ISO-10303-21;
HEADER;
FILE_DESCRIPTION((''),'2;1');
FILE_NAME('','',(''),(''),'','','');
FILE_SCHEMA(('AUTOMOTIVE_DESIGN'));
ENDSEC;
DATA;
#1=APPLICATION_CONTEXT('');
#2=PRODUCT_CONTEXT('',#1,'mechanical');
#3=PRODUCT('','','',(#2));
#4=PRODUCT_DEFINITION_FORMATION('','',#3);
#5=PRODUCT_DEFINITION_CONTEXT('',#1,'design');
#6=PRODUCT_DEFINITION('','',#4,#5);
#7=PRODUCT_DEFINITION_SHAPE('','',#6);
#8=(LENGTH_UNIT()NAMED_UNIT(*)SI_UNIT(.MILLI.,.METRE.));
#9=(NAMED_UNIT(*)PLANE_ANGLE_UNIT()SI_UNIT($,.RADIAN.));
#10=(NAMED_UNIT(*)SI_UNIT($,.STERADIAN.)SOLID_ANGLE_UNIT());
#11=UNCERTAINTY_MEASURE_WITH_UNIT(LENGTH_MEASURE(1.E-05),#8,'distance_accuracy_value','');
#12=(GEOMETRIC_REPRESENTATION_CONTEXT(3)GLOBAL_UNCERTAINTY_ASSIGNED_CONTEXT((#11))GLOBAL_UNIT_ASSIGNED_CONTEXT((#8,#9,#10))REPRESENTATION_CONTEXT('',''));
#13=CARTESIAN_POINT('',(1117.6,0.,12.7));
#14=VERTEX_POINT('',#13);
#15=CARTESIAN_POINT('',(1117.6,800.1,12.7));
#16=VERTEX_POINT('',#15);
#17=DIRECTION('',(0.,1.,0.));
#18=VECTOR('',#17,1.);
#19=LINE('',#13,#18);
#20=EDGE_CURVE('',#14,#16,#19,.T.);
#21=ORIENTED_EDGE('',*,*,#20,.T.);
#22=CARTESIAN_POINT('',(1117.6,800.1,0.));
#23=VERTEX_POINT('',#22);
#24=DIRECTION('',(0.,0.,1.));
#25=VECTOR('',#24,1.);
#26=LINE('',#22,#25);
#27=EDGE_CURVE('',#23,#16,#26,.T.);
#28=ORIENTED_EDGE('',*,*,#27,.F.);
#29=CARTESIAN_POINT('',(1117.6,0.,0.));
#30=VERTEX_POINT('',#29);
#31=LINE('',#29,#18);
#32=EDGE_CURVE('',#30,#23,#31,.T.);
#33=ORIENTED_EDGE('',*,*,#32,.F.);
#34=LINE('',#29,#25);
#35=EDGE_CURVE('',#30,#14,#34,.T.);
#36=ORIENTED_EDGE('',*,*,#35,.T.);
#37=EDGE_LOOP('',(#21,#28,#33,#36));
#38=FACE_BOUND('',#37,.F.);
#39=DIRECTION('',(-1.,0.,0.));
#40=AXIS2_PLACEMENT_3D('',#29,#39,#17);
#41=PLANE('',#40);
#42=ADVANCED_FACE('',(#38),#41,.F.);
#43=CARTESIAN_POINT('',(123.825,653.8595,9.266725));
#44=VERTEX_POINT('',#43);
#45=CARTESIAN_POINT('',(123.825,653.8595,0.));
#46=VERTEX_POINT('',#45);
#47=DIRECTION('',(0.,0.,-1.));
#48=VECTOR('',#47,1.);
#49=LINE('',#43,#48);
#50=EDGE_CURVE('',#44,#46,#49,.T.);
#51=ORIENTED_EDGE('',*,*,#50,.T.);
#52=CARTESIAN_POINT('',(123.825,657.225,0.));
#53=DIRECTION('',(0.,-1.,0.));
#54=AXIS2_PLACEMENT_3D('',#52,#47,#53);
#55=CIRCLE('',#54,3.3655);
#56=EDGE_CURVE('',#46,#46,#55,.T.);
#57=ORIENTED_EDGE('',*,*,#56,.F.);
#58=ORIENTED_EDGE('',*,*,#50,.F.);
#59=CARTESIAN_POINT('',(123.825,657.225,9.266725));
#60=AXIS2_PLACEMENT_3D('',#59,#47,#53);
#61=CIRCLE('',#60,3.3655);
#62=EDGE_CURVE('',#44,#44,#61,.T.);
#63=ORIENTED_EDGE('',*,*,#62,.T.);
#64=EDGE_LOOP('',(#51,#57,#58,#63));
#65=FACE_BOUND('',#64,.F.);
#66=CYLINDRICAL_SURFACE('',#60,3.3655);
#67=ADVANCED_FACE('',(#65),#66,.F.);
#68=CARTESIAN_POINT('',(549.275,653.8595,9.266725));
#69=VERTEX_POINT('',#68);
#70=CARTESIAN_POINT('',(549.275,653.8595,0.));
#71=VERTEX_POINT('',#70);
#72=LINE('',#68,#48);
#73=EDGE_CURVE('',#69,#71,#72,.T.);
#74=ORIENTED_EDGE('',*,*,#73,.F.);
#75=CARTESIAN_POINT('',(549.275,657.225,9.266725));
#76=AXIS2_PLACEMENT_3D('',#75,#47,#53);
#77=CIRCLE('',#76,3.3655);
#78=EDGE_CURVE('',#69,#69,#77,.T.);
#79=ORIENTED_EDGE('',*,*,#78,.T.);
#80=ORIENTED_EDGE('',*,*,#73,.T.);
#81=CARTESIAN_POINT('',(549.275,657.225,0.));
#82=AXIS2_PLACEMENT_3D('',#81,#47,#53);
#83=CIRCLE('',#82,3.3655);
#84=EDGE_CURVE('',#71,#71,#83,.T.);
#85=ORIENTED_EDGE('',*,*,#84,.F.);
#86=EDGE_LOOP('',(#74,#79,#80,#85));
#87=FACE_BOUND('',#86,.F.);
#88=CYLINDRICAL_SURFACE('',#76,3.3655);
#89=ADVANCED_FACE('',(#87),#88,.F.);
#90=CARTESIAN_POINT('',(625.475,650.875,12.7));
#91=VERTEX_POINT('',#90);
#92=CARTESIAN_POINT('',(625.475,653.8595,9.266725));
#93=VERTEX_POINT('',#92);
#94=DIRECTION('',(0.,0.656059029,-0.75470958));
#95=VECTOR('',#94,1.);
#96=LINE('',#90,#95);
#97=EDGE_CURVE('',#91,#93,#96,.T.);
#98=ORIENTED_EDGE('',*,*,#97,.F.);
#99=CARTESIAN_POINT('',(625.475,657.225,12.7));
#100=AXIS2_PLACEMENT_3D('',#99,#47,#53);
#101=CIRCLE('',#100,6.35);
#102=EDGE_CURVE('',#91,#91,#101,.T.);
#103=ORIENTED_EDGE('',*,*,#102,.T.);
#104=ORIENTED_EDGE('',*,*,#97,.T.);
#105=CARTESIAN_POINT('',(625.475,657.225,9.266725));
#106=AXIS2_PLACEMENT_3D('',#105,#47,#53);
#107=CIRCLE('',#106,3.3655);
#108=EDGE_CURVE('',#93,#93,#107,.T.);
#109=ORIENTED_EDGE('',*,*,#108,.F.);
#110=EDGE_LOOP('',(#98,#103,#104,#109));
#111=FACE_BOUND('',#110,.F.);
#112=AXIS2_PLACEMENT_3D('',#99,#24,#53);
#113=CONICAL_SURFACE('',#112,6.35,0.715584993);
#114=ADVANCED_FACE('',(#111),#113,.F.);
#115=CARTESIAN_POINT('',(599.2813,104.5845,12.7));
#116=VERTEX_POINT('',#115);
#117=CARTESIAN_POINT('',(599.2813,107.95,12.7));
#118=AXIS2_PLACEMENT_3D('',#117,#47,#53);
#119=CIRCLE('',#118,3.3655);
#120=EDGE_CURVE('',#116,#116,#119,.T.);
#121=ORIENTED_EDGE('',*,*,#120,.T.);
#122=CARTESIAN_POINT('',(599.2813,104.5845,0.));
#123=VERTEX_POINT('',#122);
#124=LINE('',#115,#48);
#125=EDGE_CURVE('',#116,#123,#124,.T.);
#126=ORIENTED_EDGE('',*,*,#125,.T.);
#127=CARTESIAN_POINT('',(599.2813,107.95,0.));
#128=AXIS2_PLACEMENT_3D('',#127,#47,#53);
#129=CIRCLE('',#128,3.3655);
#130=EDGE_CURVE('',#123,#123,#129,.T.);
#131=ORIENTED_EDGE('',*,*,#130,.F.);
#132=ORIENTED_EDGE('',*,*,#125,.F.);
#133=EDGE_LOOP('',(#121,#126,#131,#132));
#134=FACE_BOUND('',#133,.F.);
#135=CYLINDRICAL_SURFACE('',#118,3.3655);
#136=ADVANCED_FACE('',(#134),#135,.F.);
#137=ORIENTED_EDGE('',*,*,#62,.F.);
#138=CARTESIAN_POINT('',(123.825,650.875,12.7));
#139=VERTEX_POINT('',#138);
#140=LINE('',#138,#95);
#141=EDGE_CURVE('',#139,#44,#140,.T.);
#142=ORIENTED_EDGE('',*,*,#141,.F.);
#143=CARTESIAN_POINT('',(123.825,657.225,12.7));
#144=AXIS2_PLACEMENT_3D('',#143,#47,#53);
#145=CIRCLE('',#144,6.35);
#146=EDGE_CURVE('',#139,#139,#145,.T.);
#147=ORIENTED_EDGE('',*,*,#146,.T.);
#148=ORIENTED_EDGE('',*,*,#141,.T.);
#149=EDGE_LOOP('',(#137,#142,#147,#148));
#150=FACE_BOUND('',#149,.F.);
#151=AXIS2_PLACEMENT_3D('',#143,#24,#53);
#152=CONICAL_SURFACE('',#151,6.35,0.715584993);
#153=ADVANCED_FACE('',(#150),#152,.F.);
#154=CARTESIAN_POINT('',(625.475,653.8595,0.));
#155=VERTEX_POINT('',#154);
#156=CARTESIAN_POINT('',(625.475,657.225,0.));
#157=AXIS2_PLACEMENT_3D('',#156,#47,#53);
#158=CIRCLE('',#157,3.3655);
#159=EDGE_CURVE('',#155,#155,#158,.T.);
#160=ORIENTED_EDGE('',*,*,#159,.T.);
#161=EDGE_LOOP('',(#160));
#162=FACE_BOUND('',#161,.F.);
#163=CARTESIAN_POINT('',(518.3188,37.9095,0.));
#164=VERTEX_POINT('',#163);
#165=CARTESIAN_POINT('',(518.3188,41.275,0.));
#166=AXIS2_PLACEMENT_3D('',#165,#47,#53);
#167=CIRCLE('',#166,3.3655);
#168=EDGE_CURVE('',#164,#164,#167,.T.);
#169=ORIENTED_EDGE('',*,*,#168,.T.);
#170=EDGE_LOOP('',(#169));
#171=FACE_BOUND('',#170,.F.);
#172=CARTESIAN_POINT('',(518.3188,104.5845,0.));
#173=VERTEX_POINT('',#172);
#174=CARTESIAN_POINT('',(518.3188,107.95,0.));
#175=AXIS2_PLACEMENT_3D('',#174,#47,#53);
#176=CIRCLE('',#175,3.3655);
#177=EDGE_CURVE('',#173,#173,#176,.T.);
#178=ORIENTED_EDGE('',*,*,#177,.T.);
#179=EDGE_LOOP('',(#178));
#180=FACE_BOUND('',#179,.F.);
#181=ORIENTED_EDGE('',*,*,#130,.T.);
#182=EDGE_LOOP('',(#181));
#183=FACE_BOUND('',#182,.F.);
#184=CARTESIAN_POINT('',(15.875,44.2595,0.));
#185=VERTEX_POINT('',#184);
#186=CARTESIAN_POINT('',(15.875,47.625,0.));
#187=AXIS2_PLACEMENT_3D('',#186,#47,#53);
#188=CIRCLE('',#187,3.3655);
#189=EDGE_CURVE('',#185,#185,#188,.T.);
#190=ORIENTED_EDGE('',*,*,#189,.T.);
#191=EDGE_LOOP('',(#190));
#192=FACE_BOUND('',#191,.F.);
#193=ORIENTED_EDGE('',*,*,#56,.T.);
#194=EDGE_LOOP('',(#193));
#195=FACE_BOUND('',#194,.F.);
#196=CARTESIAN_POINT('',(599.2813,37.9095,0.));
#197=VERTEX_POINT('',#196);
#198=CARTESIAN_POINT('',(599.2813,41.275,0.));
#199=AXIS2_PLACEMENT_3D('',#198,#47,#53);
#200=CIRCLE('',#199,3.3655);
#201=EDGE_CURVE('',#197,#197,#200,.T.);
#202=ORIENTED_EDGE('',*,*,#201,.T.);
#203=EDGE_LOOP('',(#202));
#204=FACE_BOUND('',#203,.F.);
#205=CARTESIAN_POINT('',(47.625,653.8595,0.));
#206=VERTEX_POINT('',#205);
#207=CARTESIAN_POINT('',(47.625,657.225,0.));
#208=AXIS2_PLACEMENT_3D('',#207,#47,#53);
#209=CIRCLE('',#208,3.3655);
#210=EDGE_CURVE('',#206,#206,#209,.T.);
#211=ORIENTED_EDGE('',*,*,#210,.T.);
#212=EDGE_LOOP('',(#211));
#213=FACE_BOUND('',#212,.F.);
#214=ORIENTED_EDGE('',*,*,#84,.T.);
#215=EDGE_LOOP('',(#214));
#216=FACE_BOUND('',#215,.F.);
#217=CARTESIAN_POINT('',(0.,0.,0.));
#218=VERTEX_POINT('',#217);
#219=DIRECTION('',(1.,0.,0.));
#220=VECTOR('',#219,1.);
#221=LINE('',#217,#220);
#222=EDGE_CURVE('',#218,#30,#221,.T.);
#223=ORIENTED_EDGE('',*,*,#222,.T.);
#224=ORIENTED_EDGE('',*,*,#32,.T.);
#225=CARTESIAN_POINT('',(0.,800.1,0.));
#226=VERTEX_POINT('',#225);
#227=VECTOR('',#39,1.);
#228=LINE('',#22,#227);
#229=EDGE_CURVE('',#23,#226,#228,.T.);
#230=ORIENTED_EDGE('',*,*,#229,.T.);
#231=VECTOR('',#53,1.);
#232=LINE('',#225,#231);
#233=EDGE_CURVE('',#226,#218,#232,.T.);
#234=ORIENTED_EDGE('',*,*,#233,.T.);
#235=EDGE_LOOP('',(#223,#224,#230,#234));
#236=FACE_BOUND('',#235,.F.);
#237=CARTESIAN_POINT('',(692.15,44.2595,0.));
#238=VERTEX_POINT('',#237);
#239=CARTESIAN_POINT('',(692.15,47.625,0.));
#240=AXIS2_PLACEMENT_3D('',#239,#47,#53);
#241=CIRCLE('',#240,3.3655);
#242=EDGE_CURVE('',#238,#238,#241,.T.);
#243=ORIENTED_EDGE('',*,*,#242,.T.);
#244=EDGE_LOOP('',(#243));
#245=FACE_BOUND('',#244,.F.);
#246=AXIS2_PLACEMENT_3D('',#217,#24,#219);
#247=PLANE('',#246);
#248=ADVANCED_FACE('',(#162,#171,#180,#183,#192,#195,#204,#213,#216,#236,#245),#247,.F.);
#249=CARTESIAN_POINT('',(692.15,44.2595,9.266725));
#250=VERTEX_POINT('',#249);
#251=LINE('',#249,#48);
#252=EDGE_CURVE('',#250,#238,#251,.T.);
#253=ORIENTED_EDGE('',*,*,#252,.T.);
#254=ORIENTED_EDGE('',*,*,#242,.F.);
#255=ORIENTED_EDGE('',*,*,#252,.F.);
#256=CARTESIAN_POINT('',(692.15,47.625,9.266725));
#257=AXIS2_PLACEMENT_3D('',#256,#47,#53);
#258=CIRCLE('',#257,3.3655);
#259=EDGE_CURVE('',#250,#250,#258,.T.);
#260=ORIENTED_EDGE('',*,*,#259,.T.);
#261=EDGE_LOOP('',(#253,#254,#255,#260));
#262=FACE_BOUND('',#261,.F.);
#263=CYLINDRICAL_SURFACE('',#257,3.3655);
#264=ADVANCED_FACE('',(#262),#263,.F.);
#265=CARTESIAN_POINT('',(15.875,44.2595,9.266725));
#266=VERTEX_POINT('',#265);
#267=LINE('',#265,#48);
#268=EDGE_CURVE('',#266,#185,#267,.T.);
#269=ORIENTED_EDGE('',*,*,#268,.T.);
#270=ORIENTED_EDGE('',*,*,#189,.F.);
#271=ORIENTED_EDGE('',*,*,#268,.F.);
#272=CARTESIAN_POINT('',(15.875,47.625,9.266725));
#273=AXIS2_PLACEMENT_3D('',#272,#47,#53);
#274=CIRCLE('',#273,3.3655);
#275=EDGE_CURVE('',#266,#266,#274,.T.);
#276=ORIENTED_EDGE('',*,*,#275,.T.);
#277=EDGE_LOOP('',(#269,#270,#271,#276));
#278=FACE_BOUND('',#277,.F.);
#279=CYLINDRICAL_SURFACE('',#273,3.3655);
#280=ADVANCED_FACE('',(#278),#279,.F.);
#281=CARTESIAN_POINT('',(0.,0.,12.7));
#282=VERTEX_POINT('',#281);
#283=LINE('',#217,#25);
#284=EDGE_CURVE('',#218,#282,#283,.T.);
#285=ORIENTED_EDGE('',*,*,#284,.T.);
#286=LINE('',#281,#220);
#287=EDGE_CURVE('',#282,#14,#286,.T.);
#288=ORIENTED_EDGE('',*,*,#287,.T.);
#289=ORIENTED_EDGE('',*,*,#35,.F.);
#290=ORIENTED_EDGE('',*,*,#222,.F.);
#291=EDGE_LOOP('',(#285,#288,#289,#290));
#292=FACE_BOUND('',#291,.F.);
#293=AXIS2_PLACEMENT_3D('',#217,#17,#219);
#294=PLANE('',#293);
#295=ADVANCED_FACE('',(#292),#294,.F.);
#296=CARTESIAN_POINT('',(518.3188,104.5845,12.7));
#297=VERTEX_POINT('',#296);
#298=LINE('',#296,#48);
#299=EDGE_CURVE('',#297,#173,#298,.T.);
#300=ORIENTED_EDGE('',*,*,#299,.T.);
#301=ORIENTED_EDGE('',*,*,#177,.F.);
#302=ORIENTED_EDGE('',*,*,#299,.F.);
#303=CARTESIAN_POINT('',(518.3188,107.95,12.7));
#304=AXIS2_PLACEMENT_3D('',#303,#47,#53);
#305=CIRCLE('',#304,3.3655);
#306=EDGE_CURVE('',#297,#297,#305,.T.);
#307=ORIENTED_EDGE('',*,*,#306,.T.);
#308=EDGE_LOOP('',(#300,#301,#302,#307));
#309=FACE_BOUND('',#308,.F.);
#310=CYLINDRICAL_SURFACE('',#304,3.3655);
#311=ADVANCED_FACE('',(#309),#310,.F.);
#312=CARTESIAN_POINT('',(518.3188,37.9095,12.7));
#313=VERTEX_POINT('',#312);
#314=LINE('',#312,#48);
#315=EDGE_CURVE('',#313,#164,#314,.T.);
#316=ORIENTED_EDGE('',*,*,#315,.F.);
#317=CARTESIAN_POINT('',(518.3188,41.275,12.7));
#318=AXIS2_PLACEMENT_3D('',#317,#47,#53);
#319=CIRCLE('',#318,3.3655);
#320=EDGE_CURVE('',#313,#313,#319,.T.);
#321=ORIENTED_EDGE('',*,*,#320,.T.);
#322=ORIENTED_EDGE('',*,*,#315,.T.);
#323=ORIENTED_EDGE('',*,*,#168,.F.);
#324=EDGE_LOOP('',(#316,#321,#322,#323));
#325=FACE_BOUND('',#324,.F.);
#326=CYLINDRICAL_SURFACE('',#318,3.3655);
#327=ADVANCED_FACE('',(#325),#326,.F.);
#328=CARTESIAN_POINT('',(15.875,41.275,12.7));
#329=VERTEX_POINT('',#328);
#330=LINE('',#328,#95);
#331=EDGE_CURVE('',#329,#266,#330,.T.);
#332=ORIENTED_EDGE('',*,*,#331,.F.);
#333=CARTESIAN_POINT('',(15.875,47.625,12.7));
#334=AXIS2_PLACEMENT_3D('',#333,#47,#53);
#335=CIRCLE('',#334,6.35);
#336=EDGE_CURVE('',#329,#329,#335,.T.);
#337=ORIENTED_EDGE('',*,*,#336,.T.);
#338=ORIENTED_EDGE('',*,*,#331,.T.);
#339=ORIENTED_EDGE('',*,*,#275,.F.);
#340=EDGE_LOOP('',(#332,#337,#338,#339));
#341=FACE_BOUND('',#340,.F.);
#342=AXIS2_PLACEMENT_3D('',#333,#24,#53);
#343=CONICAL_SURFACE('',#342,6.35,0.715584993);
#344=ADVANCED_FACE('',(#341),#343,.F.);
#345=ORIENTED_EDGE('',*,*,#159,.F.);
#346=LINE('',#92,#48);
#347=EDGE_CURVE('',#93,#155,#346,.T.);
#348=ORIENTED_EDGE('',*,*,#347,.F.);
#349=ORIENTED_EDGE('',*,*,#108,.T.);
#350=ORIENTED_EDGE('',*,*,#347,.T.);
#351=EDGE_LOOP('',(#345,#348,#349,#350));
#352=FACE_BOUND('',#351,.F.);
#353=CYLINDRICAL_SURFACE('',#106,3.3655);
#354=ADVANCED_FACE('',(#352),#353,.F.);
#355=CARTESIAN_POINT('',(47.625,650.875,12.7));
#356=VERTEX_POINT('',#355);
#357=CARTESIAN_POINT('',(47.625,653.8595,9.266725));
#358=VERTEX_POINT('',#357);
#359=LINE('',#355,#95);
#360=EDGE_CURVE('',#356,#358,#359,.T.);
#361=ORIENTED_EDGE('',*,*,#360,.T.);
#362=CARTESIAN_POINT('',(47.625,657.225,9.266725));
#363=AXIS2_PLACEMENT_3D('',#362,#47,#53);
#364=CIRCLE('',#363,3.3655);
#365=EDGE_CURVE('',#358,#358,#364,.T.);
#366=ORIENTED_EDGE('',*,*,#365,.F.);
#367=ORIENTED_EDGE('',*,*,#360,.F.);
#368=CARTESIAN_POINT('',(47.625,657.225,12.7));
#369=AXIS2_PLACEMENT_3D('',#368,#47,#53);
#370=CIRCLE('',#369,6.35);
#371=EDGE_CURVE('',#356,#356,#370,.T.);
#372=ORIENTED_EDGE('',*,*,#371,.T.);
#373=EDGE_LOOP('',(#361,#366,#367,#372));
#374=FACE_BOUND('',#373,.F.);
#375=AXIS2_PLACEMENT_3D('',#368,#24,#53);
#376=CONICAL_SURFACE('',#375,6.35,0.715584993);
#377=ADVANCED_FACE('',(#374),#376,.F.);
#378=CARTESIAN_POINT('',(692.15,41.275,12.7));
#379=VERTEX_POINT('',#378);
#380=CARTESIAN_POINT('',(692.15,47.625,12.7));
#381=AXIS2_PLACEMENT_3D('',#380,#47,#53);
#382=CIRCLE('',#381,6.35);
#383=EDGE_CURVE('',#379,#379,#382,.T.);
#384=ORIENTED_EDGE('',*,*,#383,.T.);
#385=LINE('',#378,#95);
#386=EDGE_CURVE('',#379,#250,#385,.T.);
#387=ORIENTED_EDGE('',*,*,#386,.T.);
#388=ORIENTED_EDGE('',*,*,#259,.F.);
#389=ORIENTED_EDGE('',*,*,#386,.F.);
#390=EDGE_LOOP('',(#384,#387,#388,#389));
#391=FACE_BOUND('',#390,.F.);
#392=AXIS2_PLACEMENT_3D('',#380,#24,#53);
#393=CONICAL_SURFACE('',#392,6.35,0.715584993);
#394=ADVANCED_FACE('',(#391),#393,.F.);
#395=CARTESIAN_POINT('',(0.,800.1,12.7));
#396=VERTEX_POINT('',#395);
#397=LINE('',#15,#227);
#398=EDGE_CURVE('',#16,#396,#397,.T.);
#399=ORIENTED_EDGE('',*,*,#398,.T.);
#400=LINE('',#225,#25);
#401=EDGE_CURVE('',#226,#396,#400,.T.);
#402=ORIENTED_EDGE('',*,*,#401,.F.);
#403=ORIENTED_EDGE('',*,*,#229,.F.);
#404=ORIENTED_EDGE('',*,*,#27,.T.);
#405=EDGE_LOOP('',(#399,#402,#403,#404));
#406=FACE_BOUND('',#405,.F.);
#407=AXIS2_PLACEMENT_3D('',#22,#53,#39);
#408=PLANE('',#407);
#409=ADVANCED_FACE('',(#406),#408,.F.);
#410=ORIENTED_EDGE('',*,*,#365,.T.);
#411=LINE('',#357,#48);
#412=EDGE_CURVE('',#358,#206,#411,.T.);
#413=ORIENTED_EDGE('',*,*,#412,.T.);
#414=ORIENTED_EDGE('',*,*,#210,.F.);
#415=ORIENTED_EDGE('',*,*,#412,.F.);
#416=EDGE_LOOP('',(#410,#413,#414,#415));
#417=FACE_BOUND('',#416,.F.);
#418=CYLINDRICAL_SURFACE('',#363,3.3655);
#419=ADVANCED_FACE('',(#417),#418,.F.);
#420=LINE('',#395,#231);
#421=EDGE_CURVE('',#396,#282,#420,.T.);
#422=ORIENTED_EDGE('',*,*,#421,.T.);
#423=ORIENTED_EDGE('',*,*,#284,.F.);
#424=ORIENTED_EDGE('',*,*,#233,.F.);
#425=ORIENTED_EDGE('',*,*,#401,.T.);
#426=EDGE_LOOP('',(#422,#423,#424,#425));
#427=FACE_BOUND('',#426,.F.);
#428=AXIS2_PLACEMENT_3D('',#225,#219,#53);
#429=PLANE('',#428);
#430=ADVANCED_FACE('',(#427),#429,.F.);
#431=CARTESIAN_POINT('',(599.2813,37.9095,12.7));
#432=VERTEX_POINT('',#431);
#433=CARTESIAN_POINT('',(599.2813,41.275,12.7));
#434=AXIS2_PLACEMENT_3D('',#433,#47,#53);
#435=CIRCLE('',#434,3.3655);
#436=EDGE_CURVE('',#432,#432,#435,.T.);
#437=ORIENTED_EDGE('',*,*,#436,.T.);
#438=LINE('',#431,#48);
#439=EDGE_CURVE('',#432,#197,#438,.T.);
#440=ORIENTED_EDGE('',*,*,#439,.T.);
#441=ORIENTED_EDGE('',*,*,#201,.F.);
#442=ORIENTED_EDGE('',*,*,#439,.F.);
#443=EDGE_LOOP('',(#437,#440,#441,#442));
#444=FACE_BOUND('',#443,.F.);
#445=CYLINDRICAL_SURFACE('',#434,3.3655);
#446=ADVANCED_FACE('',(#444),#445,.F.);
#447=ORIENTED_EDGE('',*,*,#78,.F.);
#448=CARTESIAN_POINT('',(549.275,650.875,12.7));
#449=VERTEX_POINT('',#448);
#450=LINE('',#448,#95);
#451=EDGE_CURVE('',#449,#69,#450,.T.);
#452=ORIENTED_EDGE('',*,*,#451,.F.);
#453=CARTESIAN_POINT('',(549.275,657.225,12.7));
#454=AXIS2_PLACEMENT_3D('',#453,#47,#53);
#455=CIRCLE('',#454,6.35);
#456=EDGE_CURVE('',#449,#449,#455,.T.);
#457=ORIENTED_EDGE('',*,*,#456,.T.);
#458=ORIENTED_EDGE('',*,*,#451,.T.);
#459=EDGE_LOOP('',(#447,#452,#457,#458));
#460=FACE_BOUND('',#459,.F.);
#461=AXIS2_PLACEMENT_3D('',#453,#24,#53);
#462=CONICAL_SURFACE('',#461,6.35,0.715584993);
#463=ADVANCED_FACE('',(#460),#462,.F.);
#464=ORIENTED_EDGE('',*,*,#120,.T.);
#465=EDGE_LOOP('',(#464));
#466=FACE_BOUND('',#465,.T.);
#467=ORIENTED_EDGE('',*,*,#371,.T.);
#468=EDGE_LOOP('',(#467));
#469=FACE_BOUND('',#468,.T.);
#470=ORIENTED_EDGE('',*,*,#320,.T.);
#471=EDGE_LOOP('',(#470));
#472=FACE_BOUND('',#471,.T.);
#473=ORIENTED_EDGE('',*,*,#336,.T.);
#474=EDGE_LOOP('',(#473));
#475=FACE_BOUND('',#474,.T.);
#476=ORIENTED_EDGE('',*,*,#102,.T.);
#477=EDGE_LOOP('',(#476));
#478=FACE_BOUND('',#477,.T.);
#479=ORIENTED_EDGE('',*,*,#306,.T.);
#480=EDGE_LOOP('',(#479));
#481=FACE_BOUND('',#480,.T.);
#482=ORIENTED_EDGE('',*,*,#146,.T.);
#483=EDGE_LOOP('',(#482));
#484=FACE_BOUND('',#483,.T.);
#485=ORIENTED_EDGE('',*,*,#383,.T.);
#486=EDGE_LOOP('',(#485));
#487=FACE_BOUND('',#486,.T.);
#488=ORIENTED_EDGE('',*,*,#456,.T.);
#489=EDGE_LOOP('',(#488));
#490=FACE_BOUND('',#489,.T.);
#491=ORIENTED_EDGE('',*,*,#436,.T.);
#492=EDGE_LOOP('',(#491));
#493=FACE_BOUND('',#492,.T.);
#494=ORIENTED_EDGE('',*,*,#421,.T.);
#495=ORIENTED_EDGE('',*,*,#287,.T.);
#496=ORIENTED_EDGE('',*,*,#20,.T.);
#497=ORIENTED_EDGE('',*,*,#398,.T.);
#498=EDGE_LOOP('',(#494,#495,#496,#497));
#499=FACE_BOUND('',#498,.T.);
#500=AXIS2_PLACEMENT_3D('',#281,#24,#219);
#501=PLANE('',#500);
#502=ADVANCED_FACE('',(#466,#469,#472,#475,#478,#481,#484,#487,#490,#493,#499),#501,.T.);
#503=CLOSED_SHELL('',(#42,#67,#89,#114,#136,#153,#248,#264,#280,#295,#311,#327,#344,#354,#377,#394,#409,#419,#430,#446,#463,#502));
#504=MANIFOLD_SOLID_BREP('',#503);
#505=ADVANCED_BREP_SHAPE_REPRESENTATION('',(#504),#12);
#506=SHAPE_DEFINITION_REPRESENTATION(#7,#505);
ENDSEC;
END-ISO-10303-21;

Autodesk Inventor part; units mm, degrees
ref_plane "YZ Plane" through (0, 0, 0) normal (1, 0, 0) x (0, 1, 0)
ref_plane "XZ Plane" through (0, 0, 0) normal (0, 1, 0) x (-1, 0, 0)
ref_plane "XY Plane" through (0, 0, 0) normal (0, 0, 1) x (1, 0, 0)
sketch "Sketch1" plane through (0, 0, 0) normal (0, 0, 1) x (1, 0, 0)
  line L0 (0, 0) -> (1117.6, 0)
  line L1 (1117.6, 0) -> (1117.6, 800.1)
  line L2 (1117.6, 800.1) -> (0, 800.1)
  line L3 (0, 800.1) -> (0, 0)
  dimension "d0" = 1117.6
  dimension "d1" = 800.1
extrude "Extrusion1" add sketch "Sketch1" along normal blind 12.7
hole "Hole1" at (518.3188, 41.275, 12.7) direction (0, 0, -1) diameter 6.731 end through all
pattern_linear "Rectangular Pattern1" count 2 spacing 66.675 along (0, 1, 0) count 2 spacing 80.9625 along (1, 0, 0) of "Hole1"
hole "Hole2" at (47.625, 657.225, 12.7) direction (0, 0, -1) diameter 6.731 depth 25.4 tip angle 118 countersink diameter 12.7 countersink angle 82
pattern_linear "Rectangular Pattern2" count 2 spacing 76.2 along (1, 0, 0) of "Hole2"
hole "Hole3" at (625.475, 657.225, 12.7) direction (0, 0, -1) diameter 6.731 depth 25.4 tip angle 118 countersink diameter 12.7 countersink angle 82
pattern_linear "Rectangular Pattern3" count 2 spacing 76.2 along (-1, 0, 0) of "Hole3"
hole "Hole4" at (15.875, 47.625, 12.7) direction (0, 0, -1) diameter 6.731 depth 25.4 tip angle 118 countersink diameter 12.7 countersink angle 82
hole "Hole5" at (692.15, 47.625, 12.7) direction (0, 0, -1) diameter 6.731 depth 25.4 tip angle 118 countersink diameter 12.7 countersink angle 82
properties part number "GE-12074"
